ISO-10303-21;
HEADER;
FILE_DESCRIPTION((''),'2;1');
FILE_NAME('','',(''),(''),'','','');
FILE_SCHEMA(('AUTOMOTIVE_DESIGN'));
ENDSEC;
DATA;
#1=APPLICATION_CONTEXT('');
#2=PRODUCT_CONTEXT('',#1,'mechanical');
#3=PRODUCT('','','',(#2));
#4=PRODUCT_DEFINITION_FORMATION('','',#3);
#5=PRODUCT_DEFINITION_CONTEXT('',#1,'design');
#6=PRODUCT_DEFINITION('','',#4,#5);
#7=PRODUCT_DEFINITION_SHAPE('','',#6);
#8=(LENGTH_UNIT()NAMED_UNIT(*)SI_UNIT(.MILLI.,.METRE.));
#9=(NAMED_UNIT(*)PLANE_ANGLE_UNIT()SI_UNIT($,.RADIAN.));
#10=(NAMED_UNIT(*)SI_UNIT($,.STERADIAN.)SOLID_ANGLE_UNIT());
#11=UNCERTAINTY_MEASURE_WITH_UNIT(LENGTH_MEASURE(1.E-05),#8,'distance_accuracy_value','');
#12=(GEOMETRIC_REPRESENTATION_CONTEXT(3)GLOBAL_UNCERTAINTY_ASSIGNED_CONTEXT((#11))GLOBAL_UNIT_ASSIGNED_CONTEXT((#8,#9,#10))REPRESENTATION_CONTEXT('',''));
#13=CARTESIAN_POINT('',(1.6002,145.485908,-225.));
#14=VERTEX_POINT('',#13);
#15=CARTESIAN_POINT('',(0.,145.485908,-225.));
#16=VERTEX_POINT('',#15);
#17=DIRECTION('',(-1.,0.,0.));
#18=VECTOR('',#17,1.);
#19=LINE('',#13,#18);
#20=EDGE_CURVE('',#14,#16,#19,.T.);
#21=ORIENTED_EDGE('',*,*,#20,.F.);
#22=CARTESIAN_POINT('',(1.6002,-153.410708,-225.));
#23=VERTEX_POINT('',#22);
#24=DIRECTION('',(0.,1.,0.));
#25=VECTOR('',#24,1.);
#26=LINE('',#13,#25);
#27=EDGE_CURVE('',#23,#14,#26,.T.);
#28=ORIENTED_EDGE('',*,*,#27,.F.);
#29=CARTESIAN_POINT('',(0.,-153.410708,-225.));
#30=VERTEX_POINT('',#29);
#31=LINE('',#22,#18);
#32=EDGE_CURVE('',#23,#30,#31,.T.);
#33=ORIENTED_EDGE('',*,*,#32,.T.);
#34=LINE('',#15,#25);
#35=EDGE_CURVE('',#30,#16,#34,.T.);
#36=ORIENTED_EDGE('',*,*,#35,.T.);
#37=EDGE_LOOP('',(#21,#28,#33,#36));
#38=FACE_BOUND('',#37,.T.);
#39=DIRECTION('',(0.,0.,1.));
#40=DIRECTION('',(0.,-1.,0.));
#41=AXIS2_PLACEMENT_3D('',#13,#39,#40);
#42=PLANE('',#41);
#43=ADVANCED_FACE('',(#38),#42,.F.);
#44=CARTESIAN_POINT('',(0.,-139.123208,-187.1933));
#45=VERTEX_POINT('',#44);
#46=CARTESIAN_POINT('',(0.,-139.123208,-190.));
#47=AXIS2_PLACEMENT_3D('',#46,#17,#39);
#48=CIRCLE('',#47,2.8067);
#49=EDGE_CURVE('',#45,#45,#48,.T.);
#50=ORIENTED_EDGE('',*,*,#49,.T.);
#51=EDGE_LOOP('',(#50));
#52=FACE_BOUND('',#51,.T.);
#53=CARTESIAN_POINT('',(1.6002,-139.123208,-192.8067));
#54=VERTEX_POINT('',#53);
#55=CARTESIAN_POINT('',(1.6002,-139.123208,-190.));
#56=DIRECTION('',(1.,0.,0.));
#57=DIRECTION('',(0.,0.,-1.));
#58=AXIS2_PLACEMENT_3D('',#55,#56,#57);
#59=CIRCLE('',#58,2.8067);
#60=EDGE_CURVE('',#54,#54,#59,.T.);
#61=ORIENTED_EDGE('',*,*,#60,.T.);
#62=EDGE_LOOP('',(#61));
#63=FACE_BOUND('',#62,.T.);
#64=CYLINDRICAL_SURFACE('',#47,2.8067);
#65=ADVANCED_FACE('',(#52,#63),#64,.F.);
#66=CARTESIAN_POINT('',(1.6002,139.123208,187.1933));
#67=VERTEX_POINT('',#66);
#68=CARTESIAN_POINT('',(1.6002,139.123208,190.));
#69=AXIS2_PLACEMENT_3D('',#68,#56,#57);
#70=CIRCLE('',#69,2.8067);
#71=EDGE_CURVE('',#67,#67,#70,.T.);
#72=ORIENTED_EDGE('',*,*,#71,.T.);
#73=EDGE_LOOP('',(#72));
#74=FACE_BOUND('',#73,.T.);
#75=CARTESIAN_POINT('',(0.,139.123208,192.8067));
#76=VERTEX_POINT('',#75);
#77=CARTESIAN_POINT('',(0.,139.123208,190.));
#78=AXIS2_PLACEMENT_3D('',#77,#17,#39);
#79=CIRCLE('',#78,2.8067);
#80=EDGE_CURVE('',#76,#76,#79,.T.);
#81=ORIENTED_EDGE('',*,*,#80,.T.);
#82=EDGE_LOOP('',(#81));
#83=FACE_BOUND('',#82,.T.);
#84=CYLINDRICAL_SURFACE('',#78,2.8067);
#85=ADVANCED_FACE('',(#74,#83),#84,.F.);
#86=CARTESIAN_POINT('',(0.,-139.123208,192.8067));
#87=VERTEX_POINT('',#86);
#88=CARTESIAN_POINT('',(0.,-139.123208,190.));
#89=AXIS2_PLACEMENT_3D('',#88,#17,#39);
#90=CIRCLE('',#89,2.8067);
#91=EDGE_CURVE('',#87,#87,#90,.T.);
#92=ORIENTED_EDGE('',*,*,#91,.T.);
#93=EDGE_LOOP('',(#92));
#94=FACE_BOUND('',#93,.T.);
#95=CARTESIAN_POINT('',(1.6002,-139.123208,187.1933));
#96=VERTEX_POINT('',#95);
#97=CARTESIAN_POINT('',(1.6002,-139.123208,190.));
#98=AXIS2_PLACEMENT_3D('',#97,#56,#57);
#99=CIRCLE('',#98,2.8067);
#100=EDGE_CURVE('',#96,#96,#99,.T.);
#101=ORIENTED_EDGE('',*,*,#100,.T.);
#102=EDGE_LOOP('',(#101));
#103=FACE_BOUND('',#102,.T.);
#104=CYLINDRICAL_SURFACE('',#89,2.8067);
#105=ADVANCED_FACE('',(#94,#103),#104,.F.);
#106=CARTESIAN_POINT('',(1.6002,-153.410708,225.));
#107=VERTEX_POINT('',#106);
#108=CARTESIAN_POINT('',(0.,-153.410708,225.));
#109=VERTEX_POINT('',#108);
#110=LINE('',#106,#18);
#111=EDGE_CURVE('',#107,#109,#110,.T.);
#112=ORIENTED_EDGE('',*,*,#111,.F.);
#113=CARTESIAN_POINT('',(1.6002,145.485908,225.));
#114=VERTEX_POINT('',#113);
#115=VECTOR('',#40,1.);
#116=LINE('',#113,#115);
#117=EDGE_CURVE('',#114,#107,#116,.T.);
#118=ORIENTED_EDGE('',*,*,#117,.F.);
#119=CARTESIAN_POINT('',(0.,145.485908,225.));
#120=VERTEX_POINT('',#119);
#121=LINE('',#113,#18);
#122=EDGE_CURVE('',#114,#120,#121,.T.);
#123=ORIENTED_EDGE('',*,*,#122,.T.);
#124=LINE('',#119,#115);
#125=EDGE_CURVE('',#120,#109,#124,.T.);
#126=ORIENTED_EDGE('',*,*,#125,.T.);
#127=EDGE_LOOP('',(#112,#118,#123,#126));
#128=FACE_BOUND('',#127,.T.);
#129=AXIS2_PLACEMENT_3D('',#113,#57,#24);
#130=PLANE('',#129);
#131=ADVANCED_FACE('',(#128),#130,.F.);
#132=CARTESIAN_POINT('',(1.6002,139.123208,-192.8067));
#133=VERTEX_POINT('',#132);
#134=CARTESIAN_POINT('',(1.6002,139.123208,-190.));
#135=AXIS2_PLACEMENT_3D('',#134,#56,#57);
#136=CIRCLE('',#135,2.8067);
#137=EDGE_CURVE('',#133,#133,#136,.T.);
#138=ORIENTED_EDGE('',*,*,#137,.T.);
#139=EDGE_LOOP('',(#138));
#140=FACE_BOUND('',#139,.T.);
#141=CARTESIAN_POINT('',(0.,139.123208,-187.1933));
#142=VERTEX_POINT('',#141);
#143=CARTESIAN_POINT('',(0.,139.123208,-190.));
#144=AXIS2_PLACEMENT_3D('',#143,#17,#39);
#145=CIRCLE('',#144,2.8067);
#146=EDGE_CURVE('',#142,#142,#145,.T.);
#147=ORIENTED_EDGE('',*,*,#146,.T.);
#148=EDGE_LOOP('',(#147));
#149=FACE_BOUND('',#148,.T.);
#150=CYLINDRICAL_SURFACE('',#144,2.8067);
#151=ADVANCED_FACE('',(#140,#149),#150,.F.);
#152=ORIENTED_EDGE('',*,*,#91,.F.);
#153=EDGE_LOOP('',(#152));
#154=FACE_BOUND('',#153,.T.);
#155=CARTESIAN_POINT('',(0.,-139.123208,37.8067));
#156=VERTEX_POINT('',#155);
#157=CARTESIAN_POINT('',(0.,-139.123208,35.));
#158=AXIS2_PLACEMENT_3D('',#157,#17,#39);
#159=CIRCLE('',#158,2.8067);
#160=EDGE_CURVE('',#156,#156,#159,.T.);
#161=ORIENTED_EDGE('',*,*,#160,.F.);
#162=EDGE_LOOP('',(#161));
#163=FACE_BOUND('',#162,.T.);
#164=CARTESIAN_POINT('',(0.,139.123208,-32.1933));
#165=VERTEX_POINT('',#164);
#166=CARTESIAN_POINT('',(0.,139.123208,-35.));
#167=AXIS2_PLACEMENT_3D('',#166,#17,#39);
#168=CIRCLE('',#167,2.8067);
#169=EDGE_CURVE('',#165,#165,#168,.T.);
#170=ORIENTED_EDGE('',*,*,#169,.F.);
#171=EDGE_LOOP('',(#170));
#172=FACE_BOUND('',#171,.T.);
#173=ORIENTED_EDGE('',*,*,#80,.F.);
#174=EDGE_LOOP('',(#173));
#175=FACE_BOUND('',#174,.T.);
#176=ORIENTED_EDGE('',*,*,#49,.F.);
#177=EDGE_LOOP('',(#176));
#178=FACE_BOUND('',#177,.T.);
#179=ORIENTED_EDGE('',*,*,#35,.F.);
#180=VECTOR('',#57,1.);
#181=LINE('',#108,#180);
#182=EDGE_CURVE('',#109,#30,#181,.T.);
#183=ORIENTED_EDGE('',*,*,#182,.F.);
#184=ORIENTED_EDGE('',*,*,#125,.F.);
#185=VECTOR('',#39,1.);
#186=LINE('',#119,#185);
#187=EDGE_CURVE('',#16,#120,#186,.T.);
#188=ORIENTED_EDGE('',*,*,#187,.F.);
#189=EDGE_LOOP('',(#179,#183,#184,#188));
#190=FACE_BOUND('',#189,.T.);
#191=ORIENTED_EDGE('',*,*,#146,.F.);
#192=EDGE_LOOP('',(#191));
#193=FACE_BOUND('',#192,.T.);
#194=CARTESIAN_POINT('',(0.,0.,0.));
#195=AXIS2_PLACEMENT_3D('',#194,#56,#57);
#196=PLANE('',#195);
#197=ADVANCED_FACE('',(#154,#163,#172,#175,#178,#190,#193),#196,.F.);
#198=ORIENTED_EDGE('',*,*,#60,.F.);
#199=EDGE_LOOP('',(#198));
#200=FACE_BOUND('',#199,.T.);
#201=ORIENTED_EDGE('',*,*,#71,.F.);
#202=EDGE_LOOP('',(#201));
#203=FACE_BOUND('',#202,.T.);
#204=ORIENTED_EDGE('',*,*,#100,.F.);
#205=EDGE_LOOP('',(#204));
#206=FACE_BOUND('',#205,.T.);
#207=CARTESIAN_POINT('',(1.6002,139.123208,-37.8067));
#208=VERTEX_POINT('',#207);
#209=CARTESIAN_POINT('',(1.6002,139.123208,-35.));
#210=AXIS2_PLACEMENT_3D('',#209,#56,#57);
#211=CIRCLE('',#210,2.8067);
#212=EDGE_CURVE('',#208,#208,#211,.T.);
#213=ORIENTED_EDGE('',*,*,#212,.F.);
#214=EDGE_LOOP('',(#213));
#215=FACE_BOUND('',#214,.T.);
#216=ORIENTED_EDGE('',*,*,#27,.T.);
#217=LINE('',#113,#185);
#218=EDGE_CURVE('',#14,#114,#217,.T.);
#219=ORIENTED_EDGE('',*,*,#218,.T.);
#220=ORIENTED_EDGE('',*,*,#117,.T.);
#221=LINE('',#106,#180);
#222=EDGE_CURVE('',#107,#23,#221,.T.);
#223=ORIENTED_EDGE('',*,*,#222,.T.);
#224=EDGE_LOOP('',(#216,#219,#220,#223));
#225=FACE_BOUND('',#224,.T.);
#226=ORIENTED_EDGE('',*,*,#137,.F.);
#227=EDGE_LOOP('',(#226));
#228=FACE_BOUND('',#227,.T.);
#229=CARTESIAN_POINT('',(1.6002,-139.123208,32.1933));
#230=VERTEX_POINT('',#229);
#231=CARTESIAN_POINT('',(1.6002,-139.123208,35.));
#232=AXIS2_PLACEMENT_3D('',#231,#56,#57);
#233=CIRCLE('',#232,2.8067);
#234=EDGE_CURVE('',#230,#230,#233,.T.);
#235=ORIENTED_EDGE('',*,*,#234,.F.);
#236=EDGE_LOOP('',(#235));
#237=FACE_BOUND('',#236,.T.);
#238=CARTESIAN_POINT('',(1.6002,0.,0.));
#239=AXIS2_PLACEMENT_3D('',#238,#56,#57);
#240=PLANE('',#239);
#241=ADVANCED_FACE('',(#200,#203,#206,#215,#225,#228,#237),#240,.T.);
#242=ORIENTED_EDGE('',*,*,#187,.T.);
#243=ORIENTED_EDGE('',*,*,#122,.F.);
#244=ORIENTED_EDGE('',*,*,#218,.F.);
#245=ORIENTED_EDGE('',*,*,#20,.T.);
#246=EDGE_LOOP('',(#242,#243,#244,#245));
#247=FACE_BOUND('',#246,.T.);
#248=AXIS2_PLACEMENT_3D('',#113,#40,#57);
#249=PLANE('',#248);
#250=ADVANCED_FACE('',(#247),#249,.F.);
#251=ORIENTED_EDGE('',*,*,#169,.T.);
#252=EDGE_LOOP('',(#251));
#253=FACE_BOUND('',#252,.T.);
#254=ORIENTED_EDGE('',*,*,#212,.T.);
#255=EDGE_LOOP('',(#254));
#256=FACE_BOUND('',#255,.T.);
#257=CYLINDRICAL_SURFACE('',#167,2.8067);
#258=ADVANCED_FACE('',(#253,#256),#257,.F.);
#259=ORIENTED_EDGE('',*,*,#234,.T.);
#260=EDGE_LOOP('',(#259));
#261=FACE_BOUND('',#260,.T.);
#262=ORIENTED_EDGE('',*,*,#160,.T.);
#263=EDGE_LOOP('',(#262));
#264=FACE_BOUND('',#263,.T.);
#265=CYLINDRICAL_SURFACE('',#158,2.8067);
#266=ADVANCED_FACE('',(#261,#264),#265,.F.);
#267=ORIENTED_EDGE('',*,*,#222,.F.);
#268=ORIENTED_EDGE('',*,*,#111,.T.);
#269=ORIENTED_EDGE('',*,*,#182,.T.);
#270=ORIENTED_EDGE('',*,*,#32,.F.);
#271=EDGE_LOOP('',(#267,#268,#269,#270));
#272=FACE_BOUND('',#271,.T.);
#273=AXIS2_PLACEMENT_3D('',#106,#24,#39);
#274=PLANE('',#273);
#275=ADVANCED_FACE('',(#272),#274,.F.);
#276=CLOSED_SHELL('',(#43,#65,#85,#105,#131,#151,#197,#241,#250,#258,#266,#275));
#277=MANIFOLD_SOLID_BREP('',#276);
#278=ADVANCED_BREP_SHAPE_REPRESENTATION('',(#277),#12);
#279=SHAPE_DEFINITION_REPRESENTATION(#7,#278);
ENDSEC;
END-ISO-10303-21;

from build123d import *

# Parameters (mm, degrees)
SKETCH2_W                  = 450
SKETCH2_H                  = 298.8966167
BOSS_EXTRUDE1_DEPTH        = 1.6002
F_10_CLEARANCE_HOLE1_D     = 5.6134
F_10_CLEARANCE_HOLE1_DEPTH = 20
F_10_CLEARANCE_HOLE1_TIP   = 1.686435499


with BuildPart() as part:
    # Sketch2 → Boss-Extrude1 (new body)
    with BuildSketch(Plane(origin=(0, 0, 0), x_dir=(0, 0, -1), z_dir=(1, 0, 0))):
        with Locations((0, -3.9624)):
            Rectangle(SKETCH2_W, SKETCH2_H)
    extrude(amount=BOSS_EXTRUDE1_DEPTH)

    # #10 Clearance Hole1
    with Locations(Plane.ZY):
        with Locations((-190, 139.12320835), (-35, 139.12320835), (190, 139.12320835), (190, -139.12320835), (35, -139.12320835), (-190, -139.12320835)):
            Hole(F_10_CLEARANCE_HOLE1_D / 2, depth=F_10_CLEARANCE_HOLE1_DEPTH)
            with Locations((0, 0, -(F_10_CLEARANCE_HOLE1_DEPTH + F_10_CLEARANCE_HOLE1_TIP / 2))):  # 118° drill point
                Cone(0, F_10_CLEARANCE_HOLE1_D / 2, F_10_CLEARANCE_HOLE1_TIP, mode=Mode.SUBTRACT)


solid = part.part
